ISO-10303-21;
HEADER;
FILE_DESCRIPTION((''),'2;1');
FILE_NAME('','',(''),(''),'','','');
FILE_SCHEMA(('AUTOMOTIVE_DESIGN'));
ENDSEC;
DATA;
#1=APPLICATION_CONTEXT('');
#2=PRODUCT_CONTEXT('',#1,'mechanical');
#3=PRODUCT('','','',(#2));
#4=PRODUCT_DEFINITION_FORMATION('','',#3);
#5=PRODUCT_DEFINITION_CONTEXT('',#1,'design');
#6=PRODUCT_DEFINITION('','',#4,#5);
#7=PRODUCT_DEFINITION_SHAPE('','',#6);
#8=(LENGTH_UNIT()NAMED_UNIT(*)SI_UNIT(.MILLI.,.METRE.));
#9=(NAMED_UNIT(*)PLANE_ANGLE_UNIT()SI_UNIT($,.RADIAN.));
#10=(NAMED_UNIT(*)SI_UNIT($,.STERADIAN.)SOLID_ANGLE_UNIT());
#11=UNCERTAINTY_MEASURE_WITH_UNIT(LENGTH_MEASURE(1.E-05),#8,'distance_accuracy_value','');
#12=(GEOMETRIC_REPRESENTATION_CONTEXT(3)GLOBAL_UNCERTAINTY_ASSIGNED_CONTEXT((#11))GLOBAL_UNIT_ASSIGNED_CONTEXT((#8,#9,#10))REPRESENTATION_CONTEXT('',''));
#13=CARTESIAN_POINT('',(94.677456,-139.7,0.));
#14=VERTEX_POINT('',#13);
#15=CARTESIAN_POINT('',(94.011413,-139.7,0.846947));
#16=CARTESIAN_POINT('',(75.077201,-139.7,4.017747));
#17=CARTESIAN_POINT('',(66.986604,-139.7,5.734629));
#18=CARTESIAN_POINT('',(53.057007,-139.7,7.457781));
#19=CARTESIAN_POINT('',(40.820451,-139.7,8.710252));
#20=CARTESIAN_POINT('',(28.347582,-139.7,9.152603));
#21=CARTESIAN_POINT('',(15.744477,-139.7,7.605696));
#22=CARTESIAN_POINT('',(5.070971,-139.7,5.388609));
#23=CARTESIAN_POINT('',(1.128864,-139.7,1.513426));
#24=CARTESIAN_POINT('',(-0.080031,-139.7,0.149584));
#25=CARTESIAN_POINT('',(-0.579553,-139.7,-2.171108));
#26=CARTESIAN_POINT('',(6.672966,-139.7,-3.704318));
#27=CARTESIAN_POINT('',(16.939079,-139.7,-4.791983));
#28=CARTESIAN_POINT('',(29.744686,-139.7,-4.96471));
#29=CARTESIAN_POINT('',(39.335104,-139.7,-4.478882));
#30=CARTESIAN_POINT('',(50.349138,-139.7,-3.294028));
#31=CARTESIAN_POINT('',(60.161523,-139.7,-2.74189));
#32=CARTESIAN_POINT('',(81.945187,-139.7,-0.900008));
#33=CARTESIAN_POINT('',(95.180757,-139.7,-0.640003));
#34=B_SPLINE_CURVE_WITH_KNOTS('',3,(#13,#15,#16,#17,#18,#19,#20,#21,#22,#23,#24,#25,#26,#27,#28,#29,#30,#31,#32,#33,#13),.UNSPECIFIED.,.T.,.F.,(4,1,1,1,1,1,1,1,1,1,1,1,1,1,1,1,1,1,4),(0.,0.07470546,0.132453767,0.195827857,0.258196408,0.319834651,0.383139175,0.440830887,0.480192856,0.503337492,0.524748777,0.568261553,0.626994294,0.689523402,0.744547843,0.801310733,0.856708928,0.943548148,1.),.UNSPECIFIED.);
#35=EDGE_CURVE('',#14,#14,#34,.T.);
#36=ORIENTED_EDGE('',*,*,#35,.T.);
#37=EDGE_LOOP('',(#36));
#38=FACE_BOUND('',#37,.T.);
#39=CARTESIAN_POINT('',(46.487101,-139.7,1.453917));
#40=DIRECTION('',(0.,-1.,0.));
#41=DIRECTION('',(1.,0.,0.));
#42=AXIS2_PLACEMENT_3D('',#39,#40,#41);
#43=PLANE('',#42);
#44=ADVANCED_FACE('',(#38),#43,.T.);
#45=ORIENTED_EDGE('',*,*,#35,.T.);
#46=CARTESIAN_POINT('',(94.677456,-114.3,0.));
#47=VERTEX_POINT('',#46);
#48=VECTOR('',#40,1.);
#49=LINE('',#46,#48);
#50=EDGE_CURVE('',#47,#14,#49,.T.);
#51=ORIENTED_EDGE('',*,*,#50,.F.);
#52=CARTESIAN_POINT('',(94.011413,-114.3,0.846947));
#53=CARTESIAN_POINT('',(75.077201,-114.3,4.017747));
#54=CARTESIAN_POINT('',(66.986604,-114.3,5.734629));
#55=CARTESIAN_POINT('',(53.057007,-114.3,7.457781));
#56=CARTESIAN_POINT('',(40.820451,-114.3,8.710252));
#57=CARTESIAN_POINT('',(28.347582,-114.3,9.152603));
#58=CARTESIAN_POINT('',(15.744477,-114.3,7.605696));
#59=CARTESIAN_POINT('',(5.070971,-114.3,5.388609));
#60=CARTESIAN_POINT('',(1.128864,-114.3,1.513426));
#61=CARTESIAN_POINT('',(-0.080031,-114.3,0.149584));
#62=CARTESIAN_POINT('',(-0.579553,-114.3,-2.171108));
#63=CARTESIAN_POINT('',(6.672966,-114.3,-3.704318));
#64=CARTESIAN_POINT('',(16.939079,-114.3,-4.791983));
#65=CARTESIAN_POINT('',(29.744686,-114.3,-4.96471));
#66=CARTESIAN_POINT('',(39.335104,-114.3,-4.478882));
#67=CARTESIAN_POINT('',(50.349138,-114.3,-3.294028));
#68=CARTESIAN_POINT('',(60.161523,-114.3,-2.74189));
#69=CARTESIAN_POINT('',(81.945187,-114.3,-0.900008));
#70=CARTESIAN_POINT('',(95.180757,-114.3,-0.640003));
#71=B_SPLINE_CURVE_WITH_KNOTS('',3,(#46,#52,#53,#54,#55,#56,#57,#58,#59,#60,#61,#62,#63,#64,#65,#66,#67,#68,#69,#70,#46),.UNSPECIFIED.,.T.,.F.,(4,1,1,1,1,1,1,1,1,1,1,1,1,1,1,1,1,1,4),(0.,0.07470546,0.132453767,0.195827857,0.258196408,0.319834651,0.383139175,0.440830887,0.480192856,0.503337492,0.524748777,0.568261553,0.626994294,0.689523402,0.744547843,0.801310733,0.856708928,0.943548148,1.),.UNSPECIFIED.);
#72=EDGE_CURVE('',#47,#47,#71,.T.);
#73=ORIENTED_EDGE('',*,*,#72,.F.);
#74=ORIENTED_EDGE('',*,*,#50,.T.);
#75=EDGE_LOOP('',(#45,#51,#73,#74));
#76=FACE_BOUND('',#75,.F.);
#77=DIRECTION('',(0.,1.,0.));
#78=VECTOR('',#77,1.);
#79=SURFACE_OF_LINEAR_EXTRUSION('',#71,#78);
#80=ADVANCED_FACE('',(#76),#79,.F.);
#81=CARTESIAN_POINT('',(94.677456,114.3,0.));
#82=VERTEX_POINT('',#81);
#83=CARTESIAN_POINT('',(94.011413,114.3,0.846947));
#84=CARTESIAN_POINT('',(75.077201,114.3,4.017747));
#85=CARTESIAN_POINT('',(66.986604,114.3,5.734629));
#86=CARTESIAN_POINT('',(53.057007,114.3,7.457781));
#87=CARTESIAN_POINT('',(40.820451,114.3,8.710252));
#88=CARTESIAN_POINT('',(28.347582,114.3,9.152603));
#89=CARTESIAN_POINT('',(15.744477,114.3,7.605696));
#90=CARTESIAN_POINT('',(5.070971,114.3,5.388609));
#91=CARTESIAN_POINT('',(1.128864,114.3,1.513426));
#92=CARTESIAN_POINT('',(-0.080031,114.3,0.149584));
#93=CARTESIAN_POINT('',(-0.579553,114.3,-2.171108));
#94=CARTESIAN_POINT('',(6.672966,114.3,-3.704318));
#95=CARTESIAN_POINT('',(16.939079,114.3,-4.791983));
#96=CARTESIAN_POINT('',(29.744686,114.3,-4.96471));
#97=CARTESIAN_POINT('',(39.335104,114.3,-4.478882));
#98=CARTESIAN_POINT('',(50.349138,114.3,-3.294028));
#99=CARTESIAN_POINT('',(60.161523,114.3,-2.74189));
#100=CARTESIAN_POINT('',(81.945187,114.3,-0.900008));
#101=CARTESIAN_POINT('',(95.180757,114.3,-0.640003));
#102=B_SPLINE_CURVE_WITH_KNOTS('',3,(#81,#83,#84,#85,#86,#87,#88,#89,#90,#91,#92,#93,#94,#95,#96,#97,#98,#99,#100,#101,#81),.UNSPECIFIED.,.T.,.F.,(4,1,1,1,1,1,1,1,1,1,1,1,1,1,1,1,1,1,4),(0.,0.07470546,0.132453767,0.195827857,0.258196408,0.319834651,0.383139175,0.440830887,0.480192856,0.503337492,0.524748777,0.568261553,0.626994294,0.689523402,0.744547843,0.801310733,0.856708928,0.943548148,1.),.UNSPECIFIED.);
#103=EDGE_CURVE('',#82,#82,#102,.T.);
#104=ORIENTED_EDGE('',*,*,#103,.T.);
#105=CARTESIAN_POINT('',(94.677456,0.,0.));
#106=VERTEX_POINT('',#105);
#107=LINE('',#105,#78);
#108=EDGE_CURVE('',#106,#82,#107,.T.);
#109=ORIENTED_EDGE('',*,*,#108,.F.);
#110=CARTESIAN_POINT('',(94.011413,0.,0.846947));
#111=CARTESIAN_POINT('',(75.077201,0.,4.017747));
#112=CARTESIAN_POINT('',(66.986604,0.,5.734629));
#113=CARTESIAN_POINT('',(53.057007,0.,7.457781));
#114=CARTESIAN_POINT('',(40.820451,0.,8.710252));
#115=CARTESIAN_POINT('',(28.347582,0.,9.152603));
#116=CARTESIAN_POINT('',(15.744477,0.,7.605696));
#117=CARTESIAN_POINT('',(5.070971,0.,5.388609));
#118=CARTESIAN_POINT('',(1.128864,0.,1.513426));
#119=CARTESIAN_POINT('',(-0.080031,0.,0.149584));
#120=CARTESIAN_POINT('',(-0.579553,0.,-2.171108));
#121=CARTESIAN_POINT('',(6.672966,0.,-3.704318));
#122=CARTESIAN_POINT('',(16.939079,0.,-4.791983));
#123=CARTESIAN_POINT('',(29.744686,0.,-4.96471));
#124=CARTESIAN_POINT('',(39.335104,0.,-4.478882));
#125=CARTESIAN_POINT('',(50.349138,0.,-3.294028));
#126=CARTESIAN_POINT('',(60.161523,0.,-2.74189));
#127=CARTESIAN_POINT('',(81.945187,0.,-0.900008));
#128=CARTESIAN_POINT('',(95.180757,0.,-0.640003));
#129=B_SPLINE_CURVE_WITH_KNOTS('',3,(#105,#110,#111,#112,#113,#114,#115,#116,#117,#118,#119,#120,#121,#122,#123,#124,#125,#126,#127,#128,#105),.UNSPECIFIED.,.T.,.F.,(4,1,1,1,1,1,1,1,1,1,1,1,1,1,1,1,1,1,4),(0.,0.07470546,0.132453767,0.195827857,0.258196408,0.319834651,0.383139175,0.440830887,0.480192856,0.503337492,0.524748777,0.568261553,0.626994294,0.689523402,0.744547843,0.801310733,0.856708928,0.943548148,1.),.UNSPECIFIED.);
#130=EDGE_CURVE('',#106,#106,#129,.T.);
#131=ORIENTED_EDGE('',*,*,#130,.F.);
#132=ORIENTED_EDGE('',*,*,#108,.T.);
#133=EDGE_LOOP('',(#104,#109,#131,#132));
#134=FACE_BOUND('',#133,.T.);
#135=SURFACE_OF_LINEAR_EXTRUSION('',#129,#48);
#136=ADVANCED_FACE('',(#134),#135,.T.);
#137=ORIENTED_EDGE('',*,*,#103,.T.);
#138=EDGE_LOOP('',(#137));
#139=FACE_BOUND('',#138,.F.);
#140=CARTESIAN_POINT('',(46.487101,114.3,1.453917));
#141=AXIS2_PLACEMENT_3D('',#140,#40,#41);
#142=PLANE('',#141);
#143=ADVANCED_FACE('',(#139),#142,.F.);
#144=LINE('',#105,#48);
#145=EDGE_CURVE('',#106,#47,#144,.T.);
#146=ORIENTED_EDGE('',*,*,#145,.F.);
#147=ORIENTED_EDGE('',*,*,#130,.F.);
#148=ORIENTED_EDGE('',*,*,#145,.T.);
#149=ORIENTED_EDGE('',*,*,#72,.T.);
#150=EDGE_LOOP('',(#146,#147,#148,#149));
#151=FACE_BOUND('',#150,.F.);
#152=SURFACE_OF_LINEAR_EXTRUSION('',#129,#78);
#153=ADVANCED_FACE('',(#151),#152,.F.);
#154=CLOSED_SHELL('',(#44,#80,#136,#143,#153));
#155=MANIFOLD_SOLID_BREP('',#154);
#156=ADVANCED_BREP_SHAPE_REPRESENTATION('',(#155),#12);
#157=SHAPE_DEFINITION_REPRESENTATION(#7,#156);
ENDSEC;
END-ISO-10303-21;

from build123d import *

# Parameters (mm, degrees)
F1_DEPTH = 114.3
F2_DEPTH = 25.4


with BuildPart() as f1:
    # F0 (on Front) → F1 (new body, symmetric)
    with BuildSketch(Plane.XZ):
        with BuildLine():
            add(Edge.make_bspline(
                [(94.6774557233, 0), (94.0114129626, 0.8469472928), (75.0772009503, 4.0177469763), (66.9866038099, 5.7346287242), (53.057006646, 7.4577813014), (40.8204509136, 8.7102524002), (28.3475816436, 9.1526034046), (15.7444766644, 7.60569637), (5.0709712766, 5.3886091561), (1.1288639866, 1.5134256002), (-0.0800313973, 0.1495839976), (-0.5795528093, -2.1711082694), (6.6729663554, -3.7043176429), (16.9390793362, -4.7919829498), (29.7446859914, -4.9647096932), (39.335104002, -4.4788820107), (50.3491382399, -3.2940284179), (60.161523082, -2.7418898306), (81.9451869303, -0.9000076422), (95.1807569235, -0.6400033364), (94.6774557233, 0)],
                knots=[0, 0, 0, 0, 0.0747054599, 0.132453767, 0.1958278569, 0.2581964081, 0.3198346513, 0.3831391748, 0.4408308865, 0.480192856, 0.5033374923, 0.524748777, 0.5682615532, 0.6269942943, 0.6895234017, 0.7445478432, 0.8013107329, 0.8567089281, 0.9435481476, 1, 1, 1, 1], degree=3))
        make_face()
    extrude(amount=F1_DEPTH, both=True)

    # F2 (add): a face of the model
    f2_faces = [f1.faces().sort_by_distance(p)[0] for p in [
        (39.8450405064, -114.3, 1.7035286782),
    ]]
    extrude(f2_faces, amount=F2_DEPTH)


solid = f1.part
